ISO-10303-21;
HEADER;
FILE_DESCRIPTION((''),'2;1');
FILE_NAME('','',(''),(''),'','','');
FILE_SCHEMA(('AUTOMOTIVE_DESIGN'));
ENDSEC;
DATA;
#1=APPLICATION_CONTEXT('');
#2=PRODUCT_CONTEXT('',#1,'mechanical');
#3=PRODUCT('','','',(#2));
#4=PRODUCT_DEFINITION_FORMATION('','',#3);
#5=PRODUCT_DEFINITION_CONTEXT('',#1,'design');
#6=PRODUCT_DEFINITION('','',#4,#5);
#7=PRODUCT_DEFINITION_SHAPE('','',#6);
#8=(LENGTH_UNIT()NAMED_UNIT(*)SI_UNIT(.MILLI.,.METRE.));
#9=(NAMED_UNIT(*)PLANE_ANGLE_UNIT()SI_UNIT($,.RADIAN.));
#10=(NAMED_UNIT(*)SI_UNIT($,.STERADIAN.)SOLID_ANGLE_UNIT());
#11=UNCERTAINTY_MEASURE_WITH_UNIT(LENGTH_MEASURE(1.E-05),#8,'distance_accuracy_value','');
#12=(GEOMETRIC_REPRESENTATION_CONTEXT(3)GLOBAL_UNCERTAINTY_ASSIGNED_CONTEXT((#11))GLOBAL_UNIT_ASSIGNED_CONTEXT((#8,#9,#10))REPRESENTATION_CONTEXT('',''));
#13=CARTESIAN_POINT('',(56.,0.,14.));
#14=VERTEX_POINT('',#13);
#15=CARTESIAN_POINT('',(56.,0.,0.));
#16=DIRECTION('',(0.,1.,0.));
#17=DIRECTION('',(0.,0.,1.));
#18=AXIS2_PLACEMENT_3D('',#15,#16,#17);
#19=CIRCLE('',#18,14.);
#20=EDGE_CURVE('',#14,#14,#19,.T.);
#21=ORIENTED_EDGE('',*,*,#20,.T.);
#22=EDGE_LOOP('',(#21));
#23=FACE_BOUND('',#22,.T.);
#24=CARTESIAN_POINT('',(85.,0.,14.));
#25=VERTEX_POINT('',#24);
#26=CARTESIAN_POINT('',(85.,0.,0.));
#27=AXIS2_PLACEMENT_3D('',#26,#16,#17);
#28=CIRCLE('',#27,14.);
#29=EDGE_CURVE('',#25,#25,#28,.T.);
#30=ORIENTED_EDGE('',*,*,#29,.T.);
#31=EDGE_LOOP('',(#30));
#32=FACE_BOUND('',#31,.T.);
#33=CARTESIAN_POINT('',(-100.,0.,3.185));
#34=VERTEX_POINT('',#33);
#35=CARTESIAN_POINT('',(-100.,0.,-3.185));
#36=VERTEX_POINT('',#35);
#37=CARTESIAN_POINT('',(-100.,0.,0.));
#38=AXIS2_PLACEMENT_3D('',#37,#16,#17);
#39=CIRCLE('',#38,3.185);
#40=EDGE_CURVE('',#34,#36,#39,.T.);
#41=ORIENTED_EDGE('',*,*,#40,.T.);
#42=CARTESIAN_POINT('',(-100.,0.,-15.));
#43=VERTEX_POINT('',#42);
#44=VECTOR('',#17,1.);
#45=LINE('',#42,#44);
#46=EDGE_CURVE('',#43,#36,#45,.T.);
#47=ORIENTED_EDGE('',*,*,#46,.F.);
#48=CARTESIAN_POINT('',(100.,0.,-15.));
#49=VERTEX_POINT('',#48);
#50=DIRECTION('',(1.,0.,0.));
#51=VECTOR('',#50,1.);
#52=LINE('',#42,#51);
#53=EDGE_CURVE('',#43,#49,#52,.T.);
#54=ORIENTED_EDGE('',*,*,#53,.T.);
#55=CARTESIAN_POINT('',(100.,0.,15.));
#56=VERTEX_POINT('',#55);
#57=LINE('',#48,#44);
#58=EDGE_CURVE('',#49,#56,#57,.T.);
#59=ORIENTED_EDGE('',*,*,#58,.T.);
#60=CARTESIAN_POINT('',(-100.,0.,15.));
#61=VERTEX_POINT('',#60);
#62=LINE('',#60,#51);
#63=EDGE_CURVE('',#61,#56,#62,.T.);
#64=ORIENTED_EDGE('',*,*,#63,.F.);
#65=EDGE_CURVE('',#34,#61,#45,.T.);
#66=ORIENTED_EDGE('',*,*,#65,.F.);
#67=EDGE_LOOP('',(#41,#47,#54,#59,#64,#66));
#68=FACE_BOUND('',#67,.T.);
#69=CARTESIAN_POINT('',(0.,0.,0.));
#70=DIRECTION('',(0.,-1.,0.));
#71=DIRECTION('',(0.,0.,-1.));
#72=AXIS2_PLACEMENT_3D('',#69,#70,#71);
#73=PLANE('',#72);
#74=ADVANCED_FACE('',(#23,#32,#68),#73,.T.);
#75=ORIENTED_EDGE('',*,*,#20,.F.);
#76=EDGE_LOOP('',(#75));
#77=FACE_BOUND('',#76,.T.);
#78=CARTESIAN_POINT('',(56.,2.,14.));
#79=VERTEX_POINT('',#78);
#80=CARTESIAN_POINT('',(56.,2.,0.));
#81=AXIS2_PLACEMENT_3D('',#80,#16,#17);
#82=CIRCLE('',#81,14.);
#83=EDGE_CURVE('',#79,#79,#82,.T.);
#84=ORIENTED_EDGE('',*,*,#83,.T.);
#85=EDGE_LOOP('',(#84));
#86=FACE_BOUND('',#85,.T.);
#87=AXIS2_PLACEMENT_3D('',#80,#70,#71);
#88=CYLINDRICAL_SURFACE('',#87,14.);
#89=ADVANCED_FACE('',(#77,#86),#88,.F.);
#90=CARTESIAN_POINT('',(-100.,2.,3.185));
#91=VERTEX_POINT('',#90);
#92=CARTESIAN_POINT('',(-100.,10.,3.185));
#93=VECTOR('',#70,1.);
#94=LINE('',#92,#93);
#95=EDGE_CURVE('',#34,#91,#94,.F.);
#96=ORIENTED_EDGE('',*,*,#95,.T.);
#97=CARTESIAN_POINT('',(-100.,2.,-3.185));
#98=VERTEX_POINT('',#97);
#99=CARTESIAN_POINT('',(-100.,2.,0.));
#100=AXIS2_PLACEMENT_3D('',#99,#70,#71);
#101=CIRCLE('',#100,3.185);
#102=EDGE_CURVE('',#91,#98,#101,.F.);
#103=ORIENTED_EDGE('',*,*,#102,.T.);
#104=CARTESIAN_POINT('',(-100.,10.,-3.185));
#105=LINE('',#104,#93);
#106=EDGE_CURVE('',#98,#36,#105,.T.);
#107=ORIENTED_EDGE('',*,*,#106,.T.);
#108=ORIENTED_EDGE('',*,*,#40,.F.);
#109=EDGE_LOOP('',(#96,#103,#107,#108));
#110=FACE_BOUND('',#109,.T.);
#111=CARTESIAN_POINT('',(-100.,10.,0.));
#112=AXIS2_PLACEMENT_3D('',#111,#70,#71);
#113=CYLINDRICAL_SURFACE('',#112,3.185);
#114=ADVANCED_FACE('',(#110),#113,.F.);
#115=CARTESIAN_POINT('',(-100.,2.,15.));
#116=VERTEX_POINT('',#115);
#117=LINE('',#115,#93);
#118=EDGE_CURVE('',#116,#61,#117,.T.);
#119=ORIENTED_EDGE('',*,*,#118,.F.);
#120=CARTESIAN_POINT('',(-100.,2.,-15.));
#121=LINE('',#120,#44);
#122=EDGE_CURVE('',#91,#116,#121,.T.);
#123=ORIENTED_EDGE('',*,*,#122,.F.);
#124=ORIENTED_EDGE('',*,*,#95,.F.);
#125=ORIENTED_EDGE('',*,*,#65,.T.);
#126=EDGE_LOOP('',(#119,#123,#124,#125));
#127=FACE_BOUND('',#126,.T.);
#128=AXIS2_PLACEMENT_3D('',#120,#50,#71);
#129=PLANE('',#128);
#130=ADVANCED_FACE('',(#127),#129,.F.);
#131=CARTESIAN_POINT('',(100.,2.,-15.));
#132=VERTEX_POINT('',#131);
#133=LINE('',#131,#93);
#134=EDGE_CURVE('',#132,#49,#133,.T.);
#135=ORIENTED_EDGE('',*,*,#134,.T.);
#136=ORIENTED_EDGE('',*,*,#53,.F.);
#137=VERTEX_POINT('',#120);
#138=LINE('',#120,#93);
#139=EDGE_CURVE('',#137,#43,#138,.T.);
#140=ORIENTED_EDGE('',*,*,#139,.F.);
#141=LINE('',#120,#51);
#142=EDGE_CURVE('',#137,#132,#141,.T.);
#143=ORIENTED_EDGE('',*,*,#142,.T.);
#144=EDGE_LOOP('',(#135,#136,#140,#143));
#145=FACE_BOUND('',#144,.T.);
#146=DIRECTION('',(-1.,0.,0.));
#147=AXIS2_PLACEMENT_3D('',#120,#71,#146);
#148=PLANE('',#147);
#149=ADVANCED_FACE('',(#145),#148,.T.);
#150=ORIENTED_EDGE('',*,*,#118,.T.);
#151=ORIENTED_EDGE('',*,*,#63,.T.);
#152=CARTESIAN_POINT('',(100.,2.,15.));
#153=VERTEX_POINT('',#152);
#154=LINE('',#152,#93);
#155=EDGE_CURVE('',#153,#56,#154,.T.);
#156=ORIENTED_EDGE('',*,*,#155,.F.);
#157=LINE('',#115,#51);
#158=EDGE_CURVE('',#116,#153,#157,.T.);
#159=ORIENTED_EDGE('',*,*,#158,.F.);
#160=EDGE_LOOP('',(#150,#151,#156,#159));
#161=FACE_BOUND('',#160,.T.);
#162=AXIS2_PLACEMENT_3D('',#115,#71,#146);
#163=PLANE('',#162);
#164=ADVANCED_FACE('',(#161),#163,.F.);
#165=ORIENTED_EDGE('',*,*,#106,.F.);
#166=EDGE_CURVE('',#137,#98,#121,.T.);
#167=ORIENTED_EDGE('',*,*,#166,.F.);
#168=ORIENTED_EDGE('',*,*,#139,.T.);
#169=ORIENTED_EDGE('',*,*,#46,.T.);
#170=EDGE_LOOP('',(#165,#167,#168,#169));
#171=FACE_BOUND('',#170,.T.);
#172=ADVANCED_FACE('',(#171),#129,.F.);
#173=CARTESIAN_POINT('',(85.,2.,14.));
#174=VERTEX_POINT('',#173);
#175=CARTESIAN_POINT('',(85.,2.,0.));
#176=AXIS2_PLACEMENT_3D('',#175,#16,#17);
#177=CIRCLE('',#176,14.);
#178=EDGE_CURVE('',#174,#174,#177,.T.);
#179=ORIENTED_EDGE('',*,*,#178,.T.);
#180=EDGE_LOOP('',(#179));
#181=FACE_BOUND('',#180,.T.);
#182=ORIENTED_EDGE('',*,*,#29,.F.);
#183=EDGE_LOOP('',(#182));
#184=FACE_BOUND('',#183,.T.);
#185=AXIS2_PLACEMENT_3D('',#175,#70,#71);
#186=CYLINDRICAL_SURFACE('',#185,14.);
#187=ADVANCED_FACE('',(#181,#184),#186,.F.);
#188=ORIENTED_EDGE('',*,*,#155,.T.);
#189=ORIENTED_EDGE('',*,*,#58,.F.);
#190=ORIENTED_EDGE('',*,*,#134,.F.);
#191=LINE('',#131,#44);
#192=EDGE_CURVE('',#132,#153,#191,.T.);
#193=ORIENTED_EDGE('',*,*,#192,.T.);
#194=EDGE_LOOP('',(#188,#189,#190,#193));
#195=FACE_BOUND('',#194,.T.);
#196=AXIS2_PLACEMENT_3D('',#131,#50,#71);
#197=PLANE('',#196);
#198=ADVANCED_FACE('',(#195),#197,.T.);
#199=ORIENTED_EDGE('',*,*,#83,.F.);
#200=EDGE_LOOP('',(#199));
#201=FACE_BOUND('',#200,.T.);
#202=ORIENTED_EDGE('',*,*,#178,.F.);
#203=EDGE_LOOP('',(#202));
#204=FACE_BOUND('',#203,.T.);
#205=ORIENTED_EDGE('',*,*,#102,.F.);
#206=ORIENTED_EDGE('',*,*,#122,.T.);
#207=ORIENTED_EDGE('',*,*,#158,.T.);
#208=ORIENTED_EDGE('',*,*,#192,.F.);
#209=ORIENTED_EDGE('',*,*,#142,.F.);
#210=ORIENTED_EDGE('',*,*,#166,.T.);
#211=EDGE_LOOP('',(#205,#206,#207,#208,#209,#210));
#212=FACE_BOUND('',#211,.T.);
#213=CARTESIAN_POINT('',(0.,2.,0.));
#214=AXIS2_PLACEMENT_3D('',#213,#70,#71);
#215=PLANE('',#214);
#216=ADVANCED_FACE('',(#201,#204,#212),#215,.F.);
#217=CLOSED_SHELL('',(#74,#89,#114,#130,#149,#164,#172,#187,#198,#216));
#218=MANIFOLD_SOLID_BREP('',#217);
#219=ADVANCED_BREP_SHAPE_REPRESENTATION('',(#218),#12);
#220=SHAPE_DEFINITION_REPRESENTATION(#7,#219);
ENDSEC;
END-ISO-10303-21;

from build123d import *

# Parameters (mm, degrees)
SKETCH1_W           = 200
SKETCH1_H           = 30
SKETCH1_R           = 14
BOSS_EXTRUDE3_DEPTH = 2
SKETCH1_7_R         = 3.185
CUT_EXTRUDE1_DEPTH  = 10


with BuildPart() as part:
    # Sketch1 → Boss-Extrude3 (new body)
    with BuildSketch(Plane(origin=(0, 0, 0), x_dir=(1, 0, 0), z_dir=(0, 1, 0))):
        Rectangle(SKETCH1_W, SKETCH1_H)
        with Locations((85, 0)):
            Circle(SKETCH1_R, mode=Mode.SUBTRACT)
        with Locations((56, 0)):
            Circle(SKETCH1_R, mode=Mode.SUBTRACT)
    extrude(amount=BOSS_EXTRUDE3_DEPTH)

    # Sketch1<7> → Cut-Extrude1 (cut)
    with BuildSketch(Plane(origin=(0, 0, 0), x_dir=(1, 0, 0), z_dir=(0, 1, 0))):
        with Locations((-100, 0)):
            Circle(SKETCH1_7_R)
    extrude(amount=CUT_EXTRUDE1_DEPTH, mode=Mode.SUBTRACT)


solid = part.part
